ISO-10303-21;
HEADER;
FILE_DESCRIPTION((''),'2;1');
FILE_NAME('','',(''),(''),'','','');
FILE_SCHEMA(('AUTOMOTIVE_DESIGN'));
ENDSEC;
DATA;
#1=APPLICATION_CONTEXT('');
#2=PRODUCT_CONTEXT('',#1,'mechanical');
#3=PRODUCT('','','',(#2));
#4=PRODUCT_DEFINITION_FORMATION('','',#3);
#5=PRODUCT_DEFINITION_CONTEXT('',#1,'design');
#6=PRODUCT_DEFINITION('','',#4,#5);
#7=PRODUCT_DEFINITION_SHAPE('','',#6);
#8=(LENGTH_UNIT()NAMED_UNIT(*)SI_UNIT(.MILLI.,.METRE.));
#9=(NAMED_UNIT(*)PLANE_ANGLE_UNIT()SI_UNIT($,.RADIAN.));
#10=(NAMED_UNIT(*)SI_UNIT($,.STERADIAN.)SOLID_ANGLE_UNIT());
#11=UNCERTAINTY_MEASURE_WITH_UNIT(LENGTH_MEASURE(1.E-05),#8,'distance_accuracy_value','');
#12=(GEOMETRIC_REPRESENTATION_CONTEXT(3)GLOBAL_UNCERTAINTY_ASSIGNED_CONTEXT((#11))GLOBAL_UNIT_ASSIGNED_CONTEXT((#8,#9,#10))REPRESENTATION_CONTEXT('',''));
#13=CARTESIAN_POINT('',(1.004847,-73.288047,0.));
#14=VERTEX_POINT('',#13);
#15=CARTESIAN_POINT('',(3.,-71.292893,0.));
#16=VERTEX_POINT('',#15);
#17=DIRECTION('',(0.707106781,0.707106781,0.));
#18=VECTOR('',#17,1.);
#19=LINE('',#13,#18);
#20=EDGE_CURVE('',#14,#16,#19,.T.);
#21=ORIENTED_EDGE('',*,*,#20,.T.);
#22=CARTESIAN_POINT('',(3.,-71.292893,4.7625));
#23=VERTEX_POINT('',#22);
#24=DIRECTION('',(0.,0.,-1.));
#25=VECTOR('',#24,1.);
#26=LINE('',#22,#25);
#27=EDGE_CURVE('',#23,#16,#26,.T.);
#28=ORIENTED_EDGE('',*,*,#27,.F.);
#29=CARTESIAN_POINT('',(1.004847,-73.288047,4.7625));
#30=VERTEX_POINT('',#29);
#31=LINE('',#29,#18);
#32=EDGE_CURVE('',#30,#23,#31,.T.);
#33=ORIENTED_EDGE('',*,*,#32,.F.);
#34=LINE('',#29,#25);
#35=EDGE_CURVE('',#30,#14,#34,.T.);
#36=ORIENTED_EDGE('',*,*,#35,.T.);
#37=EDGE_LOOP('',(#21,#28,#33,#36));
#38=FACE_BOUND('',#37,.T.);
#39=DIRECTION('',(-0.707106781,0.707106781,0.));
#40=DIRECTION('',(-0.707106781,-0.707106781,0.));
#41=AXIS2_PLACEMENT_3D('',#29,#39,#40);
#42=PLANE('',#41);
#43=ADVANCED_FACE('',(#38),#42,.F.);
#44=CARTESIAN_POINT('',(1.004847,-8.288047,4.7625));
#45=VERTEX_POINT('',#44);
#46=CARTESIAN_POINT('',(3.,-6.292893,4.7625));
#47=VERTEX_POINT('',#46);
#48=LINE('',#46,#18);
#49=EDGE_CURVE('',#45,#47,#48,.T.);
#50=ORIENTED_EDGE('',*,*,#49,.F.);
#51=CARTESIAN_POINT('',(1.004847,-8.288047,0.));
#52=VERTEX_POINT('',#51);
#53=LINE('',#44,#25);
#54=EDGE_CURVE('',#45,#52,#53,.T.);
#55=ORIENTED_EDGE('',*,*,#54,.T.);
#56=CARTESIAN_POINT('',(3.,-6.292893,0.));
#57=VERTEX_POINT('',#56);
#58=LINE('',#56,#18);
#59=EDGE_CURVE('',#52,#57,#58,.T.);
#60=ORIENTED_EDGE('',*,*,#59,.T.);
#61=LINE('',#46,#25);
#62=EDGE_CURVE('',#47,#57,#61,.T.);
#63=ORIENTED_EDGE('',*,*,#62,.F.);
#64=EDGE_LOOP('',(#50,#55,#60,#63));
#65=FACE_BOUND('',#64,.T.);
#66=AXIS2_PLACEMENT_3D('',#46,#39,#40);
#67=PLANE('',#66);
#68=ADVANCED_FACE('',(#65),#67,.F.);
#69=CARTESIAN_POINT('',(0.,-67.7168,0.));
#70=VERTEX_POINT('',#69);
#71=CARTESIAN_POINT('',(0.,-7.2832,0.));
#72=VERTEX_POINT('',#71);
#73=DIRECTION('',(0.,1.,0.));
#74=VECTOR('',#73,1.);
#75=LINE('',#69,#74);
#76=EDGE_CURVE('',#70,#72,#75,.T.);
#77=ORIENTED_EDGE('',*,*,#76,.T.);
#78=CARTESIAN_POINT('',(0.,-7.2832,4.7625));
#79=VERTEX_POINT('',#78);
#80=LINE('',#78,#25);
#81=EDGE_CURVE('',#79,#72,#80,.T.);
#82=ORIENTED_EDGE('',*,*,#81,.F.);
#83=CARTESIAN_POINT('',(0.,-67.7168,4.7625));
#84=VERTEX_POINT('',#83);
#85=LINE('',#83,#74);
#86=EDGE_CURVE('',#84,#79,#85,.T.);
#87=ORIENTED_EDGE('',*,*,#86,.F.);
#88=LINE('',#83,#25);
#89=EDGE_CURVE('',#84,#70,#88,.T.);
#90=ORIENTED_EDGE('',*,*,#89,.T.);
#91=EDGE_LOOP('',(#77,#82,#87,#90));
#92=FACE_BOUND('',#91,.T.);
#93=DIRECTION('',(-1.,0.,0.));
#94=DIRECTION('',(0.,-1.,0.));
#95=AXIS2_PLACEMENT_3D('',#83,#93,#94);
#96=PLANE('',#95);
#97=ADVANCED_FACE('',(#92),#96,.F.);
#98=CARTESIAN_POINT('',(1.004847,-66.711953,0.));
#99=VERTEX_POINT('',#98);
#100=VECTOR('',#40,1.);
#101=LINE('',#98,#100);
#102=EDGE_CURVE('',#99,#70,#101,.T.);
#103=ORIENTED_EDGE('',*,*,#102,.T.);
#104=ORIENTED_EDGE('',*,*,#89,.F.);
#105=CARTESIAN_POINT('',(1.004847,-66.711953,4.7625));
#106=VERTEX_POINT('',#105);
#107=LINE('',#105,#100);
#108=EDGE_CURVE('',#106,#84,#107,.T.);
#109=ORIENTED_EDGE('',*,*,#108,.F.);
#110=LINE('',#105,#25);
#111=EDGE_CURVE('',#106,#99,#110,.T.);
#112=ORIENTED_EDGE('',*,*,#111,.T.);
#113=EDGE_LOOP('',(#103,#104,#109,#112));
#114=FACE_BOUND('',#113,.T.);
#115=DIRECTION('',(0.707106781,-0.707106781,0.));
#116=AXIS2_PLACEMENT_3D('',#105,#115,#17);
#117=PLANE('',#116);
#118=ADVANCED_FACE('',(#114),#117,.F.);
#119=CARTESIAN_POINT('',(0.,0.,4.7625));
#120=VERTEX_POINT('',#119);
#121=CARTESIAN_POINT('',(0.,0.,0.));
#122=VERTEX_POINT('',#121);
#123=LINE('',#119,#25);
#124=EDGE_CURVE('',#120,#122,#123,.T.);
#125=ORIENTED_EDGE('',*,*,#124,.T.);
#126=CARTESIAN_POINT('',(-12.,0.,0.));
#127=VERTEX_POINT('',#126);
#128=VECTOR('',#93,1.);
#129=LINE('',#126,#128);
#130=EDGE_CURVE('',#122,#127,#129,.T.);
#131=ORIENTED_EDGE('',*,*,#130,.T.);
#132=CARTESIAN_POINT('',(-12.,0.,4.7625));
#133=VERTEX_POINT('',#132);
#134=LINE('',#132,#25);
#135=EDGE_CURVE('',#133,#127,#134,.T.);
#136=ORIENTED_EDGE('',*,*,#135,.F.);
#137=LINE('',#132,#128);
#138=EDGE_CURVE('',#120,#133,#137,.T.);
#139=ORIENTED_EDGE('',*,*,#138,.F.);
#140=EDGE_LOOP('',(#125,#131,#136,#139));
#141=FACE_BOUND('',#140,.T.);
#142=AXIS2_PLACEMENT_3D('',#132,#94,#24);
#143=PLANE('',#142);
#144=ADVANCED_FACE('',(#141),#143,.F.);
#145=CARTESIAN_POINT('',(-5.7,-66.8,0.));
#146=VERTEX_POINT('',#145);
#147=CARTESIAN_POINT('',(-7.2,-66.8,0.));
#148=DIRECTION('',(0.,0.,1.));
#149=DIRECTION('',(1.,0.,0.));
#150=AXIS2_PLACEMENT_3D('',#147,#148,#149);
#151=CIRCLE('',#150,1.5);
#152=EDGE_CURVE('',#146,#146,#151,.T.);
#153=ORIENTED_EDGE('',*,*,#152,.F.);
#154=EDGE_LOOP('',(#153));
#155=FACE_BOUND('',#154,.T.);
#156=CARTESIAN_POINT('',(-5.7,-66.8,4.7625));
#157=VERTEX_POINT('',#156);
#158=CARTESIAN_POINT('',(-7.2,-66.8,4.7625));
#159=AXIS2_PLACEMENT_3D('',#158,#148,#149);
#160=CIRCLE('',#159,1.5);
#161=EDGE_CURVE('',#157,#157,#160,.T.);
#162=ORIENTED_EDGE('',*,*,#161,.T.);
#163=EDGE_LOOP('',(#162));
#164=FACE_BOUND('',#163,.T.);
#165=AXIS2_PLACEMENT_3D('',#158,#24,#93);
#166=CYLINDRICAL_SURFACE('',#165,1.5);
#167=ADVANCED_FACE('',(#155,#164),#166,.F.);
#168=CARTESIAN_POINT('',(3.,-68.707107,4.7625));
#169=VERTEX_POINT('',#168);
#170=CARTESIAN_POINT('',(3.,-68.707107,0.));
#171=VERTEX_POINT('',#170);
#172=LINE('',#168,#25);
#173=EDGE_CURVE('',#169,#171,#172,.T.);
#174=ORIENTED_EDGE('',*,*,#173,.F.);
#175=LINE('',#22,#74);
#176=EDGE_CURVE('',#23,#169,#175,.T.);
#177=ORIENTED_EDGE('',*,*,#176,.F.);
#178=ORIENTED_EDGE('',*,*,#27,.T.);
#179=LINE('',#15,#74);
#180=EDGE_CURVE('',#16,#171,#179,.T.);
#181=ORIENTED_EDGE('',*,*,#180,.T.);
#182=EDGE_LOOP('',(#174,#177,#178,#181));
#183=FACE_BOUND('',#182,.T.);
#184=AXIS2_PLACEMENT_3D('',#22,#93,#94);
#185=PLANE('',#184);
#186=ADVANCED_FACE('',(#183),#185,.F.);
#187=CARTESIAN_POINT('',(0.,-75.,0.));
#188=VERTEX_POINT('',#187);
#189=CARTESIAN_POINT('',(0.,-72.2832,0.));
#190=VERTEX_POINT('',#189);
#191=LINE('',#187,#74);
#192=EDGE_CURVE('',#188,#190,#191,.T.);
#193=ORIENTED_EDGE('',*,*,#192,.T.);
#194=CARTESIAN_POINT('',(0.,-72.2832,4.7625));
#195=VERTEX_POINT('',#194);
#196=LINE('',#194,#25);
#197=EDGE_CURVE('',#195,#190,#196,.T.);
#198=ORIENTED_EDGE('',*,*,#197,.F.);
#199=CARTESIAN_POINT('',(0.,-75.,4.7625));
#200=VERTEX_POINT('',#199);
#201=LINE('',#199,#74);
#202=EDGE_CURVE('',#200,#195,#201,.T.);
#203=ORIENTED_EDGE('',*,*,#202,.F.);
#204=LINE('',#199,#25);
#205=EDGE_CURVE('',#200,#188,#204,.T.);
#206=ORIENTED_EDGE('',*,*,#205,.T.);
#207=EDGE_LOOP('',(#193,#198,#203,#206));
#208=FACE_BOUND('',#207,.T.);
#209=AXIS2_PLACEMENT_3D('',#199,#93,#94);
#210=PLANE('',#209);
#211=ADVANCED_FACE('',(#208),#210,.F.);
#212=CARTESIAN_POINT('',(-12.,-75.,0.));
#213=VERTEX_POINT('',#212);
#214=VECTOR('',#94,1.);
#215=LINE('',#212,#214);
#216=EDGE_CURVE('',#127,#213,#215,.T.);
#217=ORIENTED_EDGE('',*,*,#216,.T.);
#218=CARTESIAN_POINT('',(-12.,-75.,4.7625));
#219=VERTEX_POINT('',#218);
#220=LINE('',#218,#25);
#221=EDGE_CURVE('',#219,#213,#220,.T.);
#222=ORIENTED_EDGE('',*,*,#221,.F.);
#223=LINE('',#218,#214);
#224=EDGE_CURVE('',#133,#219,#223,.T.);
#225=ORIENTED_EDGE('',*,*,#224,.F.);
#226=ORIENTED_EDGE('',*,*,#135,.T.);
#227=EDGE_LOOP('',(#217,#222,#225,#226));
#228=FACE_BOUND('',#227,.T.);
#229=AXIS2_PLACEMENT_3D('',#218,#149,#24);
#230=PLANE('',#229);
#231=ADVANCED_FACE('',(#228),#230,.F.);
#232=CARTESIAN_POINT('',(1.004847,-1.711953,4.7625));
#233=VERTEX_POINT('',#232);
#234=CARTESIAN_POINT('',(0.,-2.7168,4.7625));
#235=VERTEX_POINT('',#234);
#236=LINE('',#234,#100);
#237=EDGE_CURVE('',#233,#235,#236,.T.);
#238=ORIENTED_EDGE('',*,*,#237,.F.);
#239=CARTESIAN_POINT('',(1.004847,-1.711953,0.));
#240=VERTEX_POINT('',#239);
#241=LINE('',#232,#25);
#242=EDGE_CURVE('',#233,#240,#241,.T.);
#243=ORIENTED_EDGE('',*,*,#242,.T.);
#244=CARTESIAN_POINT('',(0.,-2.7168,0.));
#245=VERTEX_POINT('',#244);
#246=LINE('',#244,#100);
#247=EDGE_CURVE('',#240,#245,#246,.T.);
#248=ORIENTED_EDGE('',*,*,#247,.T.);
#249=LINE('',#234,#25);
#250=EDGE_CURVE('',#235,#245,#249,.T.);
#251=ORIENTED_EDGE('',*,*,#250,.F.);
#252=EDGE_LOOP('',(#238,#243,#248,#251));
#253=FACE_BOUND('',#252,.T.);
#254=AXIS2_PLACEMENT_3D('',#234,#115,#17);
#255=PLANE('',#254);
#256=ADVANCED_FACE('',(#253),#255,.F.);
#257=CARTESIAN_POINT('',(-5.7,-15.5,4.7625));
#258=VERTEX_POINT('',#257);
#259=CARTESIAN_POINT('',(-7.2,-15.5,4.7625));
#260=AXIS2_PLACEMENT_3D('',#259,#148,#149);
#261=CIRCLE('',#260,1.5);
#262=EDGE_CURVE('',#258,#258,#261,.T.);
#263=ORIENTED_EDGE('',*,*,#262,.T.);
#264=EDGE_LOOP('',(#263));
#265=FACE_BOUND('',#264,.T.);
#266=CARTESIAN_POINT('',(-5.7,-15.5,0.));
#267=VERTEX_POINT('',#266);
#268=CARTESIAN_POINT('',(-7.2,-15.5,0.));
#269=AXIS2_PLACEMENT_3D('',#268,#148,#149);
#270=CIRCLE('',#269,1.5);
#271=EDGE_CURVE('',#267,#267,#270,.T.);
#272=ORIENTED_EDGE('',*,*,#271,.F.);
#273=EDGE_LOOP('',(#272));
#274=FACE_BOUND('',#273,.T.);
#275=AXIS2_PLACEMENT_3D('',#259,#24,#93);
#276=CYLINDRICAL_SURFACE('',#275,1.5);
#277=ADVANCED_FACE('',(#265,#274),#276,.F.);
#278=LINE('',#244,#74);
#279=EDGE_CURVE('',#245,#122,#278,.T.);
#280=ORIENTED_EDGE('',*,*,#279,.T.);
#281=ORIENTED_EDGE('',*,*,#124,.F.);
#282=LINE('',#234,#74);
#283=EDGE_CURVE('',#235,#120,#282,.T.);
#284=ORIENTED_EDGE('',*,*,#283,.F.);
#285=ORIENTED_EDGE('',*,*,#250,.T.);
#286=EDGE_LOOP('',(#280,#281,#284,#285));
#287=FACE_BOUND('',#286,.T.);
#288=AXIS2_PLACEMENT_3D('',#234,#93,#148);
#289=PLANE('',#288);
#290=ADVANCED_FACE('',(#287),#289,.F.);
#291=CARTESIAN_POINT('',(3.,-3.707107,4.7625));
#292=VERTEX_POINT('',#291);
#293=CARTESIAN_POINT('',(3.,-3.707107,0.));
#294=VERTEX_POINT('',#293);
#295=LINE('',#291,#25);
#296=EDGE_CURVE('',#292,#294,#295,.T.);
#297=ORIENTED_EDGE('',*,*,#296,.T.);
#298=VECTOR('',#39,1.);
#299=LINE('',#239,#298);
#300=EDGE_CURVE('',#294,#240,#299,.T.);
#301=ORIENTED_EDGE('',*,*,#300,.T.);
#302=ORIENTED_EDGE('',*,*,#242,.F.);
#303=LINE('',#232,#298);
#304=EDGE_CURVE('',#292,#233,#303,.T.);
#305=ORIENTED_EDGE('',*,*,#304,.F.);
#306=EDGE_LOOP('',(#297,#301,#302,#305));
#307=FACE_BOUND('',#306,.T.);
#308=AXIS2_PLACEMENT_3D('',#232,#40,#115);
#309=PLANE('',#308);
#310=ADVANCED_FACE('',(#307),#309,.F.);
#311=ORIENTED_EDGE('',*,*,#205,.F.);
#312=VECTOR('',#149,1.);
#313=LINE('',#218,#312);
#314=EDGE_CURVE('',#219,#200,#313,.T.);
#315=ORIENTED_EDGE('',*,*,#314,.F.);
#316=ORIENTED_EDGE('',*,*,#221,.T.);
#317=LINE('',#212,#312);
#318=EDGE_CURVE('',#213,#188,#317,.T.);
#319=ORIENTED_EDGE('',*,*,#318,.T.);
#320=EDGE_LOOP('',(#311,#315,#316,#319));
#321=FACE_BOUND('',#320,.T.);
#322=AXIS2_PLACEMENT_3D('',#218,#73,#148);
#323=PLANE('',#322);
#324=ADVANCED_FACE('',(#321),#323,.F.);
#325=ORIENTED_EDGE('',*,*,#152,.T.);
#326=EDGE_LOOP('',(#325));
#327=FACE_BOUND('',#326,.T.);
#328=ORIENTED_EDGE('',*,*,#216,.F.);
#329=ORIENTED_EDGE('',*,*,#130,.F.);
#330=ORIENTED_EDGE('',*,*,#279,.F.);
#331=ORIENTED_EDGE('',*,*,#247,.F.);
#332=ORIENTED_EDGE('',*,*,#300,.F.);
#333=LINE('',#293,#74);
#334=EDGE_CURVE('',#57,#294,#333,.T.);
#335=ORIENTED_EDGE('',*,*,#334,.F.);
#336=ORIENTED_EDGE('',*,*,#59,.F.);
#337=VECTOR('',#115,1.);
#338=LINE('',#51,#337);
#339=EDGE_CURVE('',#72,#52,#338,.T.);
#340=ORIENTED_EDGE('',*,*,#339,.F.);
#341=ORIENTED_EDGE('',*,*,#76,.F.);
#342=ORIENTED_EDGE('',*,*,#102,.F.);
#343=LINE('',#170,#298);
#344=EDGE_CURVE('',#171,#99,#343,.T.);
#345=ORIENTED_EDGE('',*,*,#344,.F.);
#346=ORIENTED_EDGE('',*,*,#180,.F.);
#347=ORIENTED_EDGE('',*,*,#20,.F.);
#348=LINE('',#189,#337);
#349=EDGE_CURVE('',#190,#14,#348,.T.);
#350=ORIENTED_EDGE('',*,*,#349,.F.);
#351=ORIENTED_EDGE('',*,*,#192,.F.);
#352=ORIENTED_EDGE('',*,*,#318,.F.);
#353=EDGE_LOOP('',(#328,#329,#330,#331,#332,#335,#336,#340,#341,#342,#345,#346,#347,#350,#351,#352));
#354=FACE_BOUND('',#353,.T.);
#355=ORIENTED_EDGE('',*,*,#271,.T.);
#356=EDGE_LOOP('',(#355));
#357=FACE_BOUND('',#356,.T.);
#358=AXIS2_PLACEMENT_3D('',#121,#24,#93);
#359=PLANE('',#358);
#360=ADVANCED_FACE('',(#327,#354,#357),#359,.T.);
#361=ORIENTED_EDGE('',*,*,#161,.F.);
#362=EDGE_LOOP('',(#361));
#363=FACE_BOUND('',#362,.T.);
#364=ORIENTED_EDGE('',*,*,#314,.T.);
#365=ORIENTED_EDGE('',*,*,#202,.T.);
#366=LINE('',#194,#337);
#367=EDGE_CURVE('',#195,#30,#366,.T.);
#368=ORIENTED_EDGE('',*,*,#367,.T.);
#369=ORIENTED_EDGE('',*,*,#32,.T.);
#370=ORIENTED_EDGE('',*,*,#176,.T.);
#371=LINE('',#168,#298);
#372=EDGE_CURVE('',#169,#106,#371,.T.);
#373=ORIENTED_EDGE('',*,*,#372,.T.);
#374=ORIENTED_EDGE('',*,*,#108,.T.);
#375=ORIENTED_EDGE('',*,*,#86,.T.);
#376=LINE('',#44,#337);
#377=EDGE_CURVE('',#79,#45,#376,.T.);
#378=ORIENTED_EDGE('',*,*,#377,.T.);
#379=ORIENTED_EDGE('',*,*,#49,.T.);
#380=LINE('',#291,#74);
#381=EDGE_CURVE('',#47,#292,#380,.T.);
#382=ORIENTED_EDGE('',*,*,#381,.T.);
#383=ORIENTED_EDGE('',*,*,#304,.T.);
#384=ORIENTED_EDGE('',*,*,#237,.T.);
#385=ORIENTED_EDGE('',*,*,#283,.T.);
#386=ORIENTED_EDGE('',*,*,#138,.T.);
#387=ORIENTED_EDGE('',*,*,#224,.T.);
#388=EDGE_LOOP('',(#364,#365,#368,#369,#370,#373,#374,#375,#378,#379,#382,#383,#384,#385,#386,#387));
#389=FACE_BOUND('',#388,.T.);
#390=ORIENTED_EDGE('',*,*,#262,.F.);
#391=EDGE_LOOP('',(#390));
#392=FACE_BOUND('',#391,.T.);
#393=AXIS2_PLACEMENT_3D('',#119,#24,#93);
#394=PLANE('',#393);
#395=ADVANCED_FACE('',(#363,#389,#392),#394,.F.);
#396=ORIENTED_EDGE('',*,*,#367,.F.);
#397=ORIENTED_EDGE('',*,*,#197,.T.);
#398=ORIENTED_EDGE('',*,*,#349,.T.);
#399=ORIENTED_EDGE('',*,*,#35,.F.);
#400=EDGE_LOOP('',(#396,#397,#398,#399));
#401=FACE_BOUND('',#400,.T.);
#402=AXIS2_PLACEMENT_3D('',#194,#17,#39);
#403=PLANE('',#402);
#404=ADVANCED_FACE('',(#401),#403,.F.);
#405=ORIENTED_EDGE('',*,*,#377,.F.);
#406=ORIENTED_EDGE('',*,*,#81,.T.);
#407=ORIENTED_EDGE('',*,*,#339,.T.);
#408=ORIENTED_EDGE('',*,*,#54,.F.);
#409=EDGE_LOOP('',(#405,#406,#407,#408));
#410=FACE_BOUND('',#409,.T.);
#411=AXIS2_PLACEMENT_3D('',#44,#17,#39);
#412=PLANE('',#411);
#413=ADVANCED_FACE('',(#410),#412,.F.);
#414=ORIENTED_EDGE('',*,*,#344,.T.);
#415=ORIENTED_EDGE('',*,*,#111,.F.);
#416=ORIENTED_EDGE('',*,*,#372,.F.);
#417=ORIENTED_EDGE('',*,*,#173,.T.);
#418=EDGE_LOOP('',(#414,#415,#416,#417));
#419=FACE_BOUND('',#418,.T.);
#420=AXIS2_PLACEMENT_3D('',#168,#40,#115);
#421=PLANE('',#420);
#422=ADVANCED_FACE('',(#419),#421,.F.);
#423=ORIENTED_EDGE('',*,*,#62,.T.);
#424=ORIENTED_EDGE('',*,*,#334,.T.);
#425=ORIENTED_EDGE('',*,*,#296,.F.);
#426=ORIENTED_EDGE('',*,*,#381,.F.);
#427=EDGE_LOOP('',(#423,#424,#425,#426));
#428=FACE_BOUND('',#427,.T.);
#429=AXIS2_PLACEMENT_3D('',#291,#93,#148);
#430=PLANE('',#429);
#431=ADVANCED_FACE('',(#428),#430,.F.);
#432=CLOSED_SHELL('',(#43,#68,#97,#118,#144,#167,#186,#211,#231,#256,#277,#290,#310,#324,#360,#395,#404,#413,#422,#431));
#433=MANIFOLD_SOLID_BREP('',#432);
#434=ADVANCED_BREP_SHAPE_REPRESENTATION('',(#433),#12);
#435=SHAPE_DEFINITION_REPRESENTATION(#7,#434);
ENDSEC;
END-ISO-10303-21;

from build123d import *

# Parameters (mm, degrees)
SKETCH1_R           = 1.5
BOSS_EXTRUDE1_DEPTH = 4.7625


with BuildPart() as part:
    # Sketch1 → Boss-Extrude1 (new body)
    with BuildSketch(Plane.XY):
        Polygon((0, -2.716800154), (1.004846686, -1.711953467), (3, -3.707106781), (3, -6.292893219), (1.004846686, -8.288046533), (0, -7.283199846), (0, -67.716800154), (1.004846686, -66.711953467), (3, -68.707106781), (3, -71.292893219), (1.004846686, -73.288046533), (0, -72.283199846), (0, -75), (-12, -75), (-12, 0), (0, 0), align=None)
        with Locations((-7.2, -15.5)):
            Circle(SKETCH1_R, mode=Mode.SUBTRACT)
        with Locations((-7.2, -66.8)):
            Circle(SKETCH1_R, mode=Mode.SUBTRACT)
    extrude(amount=BOSS_EXTRUDE1_DEPTH)


solid = part.part
